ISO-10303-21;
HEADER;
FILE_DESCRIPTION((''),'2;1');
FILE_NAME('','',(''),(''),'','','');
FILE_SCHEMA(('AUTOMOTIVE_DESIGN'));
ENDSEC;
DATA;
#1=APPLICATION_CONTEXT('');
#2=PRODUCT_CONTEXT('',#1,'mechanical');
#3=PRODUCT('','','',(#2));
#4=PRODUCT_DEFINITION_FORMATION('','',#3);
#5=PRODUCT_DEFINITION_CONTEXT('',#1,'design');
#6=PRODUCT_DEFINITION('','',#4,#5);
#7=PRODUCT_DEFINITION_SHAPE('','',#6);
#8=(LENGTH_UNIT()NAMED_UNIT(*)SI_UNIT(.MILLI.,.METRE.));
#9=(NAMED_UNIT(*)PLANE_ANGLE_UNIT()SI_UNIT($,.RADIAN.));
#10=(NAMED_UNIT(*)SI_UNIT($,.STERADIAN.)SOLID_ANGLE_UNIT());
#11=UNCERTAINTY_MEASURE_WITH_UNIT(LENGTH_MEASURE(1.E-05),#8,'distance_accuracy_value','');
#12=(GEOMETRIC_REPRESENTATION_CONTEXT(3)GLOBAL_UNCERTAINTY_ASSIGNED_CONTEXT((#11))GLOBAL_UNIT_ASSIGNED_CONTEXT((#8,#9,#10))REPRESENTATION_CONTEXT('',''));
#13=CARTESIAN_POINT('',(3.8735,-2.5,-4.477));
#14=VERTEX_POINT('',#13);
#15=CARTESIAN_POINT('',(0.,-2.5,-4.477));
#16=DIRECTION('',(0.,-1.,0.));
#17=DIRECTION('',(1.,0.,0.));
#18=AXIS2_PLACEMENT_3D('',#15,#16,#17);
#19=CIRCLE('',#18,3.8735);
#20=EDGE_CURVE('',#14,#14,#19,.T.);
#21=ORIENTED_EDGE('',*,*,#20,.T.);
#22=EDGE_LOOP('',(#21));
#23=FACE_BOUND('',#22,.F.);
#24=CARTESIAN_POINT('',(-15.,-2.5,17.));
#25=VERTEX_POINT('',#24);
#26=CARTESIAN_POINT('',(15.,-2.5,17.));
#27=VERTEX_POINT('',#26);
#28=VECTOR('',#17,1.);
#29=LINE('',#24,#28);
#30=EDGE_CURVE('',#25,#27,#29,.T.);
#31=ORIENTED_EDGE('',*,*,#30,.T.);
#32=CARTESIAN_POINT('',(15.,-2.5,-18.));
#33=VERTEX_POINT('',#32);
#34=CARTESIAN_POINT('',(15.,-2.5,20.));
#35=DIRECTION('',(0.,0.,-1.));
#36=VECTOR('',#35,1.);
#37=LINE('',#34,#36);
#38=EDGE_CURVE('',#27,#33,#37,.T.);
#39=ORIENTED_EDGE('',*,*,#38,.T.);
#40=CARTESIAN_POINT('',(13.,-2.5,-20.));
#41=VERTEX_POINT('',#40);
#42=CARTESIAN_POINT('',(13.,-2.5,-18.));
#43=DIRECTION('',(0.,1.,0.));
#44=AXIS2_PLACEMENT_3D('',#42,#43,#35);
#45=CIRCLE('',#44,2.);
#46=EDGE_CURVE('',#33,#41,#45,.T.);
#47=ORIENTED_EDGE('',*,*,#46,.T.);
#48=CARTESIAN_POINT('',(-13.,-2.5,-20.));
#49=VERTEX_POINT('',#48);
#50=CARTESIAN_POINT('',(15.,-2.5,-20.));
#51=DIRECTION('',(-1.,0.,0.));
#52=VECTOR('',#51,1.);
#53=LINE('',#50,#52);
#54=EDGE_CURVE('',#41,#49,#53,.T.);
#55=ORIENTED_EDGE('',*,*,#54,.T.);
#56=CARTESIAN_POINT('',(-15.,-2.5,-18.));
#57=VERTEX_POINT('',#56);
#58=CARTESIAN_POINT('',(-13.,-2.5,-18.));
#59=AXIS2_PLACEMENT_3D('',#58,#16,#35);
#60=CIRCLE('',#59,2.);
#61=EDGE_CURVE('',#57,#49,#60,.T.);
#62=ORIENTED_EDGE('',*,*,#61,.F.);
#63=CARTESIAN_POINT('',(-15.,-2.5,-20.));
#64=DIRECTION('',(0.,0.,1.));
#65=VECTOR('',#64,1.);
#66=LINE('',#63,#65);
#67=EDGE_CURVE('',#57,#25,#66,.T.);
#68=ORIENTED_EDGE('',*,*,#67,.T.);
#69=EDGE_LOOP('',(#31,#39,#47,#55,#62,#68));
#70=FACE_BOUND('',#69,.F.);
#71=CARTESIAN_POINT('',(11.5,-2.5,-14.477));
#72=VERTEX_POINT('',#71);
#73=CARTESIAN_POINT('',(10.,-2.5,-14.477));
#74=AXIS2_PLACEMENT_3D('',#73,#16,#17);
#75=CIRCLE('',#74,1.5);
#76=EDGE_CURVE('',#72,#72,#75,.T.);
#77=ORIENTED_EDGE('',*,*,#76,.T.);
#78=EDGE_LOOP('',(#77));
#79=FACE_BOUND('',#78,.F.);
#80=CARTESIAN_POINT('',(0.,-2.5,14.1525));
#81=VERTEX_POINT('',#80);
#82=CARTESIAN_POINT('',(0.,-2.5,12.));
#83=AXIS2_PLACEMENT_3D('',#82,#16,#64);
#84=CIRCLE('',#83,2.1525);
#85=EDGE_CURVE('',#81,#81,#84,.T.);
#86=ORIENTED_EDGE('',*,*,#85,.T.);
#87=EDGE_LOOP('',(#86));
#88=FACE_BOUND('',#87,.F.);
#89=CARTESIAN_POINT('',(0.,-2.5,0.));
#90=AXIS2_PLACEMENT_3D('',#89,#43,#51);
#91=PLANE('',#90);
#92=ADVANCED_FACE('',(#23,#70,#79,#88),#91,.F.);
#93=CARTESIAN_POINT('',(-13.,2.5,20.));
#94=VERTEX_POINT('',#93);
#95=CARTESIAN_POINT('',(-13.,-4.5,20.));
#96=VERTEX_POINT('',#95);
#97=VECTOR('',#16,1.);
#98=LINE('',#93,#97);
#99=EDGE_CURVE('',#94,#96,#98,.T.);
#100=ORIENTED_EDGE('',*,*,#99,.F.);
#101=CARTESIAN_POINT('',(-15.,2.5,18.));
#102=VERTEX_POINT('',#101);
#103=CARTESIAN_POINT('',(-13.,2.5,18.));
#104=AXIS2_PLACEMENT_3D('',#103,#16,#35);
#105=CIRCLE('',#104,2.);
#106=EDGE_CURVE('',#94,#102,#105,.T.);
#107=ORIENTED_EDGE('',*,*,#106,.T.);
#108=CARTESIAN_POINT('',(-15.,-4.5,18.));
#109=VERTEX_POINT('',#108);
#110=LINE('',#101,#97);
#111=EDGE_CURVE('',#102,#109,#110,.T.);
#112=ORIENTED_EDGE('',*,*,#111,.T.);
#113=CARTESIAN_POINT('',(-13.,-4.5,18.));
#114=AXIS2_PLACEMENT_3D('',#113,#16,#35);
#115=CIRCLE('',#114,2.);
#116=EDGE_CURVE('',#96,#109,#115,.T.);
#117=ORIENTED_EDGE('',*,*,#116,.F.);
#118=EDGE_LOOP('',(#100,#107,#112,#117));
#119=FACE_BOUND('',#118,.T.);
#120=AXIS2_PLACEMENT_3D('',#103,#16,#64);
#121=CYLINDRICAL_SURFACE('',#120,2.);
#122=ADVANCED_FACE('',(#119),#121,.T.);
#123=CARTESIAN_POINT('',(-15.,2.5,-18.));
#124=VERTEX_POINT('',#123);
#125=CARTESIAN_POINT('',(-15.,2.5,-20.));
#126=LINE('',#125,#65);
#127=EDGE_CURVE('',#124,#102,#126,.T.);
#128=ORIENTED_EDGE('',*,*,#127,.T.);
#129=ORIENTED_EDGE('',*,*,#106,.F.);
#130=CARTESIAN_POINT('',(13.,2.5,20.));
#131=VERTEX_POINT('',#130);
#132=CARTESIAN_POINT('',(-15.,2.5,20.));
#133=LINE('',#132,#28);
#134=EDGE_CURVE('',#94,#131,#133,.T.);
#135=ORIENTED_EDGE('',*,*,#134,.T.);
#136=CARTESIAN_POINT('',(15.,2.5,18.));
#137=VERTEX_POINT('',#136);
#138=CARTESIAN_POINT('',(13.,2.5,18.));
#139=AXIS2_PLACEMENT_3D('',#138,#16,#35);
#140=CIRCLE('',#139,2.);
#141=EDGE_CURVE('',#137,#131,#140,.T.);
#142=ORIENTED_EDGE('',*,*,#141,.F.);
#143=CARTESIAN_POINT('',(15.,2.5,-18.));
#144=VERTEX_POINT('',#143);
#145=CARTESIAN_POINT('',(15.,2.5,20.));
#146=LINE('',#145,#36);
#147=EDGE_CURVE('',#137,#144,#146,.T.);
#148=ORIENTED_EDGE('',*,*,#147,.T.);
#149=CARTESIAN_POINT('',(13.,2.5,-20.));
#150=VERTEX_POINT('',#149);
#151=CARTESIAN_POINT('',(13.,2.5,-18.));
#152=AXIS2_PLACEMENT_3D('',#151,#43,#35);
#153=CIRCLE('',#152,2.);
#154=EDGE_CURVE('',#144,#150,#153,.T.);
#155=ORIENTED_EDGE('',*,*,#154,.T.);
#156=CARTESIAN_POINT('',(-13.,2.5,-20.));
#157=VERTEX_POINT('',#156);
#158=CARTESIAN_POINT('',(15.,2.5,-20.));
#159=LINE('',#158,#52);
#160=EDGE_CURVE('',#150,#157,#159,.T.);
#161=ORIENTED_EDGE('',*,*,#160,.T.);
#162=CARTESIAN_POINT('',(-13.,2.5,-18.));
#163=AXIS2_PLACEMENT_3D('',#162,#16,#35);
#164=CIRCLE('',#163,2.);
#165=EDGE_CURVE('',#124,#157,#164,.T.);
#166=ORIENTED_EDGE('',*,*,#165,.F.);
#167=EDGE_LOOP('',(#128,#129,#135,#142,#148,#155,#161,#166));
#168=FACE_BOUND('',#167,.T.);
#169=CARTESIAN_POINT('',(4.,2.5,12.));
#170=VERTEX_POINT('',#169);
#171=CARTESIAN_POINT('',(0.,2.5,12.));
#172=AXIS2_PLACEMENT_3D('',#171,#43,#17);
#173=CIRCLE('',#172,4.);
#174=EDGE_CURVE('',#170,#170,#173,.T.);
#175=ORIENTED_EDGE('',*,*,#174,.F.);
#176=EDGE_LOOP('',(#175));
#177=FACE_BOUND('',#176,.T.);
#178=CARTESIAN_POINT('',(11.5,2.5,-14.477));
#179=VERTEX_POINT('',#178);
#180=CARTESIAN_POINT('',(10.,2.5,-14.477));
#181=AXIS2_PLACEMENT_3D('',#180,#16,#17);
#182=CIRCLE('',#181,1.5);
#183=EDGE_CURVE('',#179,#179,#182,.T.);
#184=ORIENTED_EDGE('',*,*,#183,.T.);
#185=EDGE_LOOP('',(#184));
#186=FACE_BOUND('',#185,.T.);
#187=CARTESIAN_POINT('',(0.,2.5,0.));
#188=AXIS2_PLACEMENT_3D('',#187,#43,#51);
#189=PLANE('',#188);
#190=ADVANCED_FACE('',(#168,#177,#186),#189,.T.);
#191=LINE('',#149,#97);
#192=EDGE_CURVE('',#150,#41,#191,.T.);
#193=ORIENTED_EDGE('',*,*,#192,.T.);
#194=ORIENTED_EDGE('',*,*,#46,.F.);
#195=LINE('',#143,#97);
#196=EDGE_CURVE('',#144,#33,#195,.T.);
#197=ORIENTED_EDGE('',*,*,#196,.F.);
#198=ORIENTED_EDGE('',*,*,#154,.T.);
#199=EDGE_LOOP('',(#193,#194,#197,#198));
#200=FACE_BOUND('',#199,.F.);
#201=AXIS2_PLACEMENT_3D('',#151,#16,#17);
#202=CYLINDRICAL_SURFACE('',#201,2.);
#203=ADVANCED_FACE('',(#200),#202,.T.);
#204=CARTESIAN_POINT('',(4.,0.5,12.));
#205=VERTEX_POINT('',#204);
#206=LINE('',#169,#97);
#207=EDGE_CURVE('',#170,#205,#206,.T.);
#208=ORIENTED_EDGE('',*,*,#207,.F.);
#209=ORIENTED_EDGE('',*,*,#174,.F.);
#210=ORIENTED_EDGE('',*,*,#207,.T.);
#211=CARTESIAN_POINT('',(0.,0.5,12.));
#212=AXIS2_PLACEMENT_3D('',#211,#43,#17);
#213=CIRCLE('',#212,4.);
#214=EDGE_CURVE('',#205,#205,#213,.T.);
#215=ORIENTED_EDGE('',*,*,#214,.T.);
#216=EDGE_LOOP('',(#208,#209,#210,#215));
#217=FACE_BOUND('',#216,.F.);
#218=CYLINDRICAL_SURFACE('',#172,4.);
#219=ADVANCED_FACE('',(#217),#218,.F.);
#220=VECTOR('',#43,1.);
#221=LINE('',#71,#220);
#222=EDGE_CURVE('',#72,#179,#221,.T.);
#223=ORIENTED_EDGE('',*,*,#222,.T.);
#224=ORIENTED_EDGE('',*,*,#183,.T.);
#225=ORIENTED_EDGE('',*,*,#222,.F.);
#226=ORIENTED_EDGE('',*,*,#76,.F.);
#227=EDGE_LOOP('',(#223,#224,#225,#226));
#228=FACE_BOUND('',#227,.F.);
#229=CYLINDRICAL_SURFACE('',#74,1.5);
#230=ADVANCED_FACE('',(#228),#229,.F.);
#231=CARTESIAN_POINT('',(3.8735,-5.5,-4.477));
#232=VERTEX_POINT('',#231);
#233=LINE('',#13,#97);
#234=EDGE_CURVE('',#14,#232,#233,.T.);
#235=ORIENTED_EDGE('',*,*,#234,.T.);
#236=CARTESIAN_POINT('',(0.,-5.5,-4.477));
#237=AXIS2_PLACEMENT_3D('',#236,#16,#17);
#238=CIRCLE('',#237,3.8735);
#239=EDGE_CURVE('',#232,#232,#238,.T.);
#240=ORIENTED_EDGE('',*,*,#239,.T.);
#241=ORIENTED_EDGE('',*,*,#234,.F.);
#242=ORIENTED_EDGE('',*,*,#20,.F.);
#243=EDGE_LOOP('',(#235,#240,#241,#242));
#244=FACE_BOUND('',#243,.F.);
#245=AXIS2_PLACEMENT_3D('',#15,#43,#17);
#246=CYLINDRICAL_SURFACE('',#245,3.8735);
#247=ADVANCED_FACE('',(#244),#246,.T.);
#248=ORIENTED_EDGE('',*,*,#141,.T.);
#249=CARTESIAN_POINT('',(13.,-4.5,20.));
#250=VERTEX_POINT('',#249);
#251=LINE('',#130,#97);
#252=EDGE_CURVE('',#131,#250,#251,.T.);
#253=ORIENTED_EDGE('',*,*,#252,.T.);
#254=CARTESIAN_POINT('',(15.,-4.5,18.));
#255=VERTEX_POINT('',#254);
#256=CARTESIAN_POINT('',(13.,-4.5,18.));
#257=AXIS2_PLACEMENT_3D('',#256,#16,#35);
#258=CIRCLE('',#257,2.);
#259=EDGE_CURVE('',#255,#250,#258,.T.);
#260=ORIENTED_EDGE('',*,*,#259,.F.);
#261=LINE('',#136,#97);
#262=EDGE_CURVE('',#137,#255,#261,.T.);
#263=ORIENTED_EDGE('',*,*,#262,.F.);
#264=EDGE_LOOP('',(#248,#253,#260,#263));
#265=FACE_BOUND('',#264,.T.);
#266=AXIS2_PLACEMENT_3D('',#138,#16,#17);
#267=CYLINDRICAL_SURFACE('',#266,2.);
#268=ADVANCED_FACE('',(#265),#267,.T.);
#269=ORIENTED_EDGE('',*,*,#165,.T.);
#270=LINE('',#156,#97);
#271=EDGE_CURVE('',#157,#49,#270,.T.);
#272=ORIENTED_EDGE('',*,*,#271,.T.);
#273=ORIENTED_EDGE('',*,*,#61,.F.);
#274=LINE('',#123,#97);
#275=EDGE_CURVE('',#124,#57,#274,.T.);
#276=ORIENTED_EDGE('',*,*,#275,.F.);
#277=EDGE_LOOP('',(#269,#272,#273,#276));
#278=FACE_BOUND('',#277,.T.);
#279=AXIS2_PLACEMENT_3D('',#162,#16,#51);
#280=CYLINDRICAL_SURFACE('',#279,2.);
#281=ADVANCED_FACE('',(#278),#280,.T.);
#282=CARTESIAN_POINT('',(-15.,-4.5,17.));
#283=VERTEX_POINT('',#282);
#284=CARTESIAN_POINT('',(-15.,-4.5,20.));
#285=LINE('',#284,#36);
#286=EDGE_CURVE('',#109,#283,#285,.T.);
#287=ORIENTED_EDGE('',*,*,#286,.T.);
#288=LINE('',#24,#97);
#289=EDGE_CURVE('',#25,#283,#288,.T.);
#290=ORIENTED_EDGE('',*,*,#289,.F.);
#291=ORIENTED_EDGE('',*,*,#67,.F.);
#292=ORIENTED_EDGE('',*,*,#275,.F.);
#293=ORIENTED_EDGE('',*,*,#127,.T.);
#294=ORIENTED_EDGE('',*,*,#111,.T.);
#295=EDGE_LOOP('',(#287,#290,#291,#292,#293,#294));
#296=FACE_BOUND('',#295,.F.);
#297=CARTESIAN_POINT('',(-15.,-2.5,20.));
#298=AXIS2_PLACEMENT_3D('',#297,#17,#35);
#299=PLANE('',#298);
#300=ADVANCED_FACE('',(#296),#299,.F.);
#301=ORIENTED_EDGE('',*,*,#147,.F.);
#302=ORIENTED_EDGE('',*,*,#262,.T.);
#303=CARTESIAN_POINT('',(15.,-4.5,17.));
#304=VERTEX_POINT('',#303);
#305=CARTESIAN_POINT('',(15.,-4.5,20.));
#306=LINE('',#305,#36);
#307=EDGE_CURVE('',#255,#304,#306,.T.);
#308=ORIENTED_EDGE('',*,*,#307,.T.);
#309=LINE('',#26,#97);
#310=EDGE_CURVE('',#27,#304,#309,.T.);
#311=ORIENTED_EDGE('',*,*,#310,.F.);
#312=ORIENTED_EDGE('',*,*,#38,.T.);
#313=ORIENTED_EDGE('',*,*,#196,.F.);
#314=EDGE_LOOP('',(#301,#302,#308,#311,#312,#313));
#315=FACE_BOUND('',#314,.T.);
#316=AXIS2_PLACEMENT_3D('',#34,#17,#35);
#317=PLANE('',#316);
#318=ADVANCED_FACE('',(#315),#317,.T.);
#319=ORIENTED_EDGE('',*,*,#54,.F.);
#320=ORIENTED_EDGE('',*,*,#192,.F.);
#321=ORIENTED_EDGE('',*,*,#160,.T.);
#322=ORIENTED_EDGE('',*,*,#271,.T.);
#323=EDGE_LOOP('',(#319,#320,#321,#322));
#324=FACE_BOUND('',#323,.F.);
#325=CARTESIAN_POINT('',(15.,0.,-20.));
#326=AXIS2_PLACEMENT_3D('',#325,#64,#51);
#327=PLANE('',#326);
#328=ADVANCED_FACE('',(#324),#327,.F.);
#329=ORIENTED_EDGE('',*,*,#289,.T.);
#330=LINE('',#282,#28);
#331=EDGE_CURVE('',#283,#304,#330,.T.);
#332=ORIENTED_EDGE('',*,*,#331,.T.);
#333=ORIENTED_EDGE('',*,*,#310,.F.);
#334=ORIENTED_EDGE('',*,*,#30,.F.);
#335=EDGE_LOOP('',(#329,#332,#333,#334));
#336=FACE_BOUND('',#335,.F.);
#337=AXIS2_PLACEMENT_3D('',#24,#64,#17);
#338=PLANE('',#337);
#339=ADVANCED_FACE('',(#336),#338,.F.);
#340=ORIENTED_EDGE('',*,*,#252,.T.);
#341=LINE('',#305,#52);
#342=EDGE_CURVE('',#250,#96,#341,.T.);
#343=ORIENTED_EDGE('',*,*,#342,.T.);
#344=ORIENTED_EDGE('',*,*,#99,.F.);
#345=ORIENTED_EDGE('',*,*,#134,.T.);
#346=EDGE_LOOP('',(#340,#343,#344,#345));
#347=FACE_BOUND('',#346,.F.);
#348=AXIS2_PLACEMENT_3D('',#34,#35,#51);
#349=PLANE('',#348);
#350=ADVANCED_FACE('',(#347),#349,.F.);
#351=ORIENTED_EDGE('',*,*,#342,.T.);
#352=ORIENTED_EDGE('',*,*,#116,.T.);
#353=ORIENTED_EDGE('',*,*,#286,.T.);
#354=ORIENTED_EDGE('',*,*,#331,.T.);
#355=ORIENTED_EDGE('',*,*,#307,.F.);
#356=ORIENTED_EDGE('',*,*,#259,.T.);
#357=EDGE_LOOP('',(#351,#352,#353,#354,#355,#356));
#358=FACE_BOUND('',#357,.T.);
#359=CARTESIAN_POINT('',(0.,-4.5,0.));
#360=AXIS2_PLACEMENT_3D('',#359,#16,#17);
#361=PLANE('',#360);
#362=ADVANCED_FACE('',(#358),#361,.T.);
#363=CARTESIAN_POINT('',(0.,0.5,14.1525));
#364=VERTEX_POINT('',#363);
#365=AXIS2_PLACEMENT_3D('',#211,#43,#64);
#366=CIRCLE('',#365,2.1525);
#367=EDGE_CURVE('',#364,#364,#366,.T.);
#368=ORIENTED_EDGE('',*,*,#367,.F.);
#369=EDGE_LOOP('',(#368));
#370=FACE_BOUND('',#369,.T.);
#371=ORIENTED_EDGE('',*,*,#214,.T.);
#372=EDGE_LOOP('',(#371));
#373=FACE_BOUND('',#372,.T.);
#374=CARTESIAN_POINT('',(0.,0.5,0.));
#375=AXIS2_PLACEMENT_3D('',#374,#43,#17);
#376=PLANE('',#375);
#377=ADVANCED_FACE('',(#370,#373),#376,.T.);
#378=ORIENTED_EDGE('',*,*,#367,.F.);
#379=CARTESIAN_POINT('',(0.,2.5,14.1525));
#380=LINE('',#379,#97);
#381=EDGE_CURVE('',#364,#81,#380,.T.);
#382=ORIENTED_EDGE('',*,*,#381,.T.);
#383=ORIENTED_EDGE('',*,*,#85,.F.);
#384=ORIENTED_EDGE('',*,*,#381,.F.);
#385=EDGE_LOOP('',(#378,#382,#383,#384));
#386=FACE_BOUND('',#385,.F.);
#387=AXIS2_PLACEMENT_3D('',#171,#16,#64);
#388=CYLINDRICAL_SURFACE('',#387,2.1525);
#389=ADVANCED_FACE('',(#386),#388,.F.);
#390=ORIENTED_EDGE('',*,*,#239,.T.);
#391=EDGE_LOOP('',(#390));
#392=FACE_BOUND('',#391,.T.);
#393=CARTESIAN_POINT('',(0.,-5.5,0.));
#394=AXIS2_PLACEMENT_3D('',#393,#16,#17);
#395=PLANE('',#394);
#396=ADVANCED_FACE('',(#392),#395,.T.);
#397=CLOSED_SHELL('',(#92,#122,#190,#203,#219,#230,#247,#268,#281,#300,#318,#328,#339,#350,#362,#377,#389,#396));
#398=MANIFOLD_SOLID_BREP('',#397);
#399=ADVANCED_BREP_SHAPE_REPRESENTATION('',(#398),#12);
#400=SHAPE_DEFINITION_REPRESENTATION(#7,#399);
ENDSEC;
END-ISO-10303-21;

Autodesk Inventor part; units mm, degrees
ref_plane "YZ Plane" through (0, 0, 0) normal (1, 0, 0) x (0, 1, 0)
ref_plane "XZ Plane" through (0, 0, 0) normal (0, 1, 0) x (-1, 0, 0)
ref_plane "XY Plane" through (0, 0, 0) normal (0, 0, 1) x (1, 0, 0)
sketch "Sketch1" plane through (0, 0, 0) normal (0, 1, 0) x (-1, 0, 0)
  line L0 (15, 20) -> (-15, 20)
  line L1 (-15, 20) -> (-15, -20)
  line L2 (-15, -20) -> (15, -20)
  line L3 (15, -20) -> (15, 20)
  line L4 (15, 20) -> (-15, -20) construction
  line L5 (-15, 20) -> (15, -20) construction
  point P0 (0, 0)
  dimension "d2" = 30
  dimension "d3" = 40
extrude "Extrusion1" add sketch "Sketch1" along normal mid plane 5
sketch "Sketch3" plane through (0, 2.5, 0) normal (0, 1, 0) x (1, 0, 0)
  line L0 (-15, 20) -> (-15, -20) projected
  line L1 (15, -20) -> (15, 20) projected
  line L2 (-15, -20) -> (15, -20) projected
  line L3 (15, 20) -> (-15, 20) projected
  point P0 (0, 0)
  point P1 (0, -12)
  point P2 (-15, 0)
  dimension "d28" = 8
hole "Hole1" at (0, 2.5, 12) direction (0, -1, 0) diameter 4.305 end through all clearance for "Flat Head Machine Screw (82)" size "#6" standard "Ansi Unified Screw Threads"
sketch "Sketch4" plane through (0, -2.5, 0) normal (0, -1, 0) x (1, 0, 0)
  circle A0 centre (0, -4.477) radius 3.8735
  circle A1 centre (0, 12) radius 2.1525 projected
  point P0 (0, 0)
  dimension "d16" = 7.747
  dimension "d17" = 16.477
extrude "Extrusion3" add sketch "Sketch4" along normal blind 3 contours A0
sketch "Sketch5" plane through (0, -2.5, 0) normal (0, -1, 0) x (1, 0, 0)
  circle A0 centre (10, -14.477) radius 1.5
  line L0 (-15, -20) -> (15, -20) projected
  line L1 (-15, 20) -> (-15, -20) projected
  line L2 (15, -20) -> (15, 20) projected
  circle A1 centre (0, -4.477) radius 3.8735 projected
  circle A2 centre (0, 12) radius 2.1525 projected
  line L3 (15, 20) -> (-15, 20) projected
  line L4 (-15, 20) -> (-15, -20) projected
  line L5 (-15, -20) -> (15, -20) projected
  line L6 (15, -20) -> (15, 20) projected
  point P0 (0, 0)
  dimension "d20" = 3
  dimension "d33" = 10
  dimension "d34" = 10
extrude "Extrusion4" cut sketch "Sketch5" against normal through all contours A0
sketch "Sketch6" plane through (0, 2.5, 0) normal (0, 1, 0) x (1, 0, 0)
  circle A0 centre (0, -12) radius 2.1525 projected
  circle A1 centre (0, -12) radius 4
  point P0 (0, 0)
  dimension "d30" = 8
extrude "Extrusion5" cut sketch "Sketch6" against normal blind 2
sketch "Sketch7" plane through (0, -2.5, 0) normal (0, -1, 0) x (1, 0, 0)
  line L0 (15, 20) -> (15, -20) projected
  line L1 (15, 20) -> (-15, 20)
  line L2 (-15, 20) -> (-15, 17)
  line L3 (-15, 17) -> (15, 17)
  line L4 (15, 17) -> (15, 20)
  line L5 (-15, 20) -> (-15, -20) projected
  point P0 (0, 0)
  dimension "d35" = 3
extrude "Extrusion6" add sketch "Sketch7" along normal blind 2
fillet "Fillet1" radius 2 4 edges at (15, -1, 20) (-15, -1, 20) (15, 0, -20) (-15, 0, -20)
properties part number "PinionHolderTest"
